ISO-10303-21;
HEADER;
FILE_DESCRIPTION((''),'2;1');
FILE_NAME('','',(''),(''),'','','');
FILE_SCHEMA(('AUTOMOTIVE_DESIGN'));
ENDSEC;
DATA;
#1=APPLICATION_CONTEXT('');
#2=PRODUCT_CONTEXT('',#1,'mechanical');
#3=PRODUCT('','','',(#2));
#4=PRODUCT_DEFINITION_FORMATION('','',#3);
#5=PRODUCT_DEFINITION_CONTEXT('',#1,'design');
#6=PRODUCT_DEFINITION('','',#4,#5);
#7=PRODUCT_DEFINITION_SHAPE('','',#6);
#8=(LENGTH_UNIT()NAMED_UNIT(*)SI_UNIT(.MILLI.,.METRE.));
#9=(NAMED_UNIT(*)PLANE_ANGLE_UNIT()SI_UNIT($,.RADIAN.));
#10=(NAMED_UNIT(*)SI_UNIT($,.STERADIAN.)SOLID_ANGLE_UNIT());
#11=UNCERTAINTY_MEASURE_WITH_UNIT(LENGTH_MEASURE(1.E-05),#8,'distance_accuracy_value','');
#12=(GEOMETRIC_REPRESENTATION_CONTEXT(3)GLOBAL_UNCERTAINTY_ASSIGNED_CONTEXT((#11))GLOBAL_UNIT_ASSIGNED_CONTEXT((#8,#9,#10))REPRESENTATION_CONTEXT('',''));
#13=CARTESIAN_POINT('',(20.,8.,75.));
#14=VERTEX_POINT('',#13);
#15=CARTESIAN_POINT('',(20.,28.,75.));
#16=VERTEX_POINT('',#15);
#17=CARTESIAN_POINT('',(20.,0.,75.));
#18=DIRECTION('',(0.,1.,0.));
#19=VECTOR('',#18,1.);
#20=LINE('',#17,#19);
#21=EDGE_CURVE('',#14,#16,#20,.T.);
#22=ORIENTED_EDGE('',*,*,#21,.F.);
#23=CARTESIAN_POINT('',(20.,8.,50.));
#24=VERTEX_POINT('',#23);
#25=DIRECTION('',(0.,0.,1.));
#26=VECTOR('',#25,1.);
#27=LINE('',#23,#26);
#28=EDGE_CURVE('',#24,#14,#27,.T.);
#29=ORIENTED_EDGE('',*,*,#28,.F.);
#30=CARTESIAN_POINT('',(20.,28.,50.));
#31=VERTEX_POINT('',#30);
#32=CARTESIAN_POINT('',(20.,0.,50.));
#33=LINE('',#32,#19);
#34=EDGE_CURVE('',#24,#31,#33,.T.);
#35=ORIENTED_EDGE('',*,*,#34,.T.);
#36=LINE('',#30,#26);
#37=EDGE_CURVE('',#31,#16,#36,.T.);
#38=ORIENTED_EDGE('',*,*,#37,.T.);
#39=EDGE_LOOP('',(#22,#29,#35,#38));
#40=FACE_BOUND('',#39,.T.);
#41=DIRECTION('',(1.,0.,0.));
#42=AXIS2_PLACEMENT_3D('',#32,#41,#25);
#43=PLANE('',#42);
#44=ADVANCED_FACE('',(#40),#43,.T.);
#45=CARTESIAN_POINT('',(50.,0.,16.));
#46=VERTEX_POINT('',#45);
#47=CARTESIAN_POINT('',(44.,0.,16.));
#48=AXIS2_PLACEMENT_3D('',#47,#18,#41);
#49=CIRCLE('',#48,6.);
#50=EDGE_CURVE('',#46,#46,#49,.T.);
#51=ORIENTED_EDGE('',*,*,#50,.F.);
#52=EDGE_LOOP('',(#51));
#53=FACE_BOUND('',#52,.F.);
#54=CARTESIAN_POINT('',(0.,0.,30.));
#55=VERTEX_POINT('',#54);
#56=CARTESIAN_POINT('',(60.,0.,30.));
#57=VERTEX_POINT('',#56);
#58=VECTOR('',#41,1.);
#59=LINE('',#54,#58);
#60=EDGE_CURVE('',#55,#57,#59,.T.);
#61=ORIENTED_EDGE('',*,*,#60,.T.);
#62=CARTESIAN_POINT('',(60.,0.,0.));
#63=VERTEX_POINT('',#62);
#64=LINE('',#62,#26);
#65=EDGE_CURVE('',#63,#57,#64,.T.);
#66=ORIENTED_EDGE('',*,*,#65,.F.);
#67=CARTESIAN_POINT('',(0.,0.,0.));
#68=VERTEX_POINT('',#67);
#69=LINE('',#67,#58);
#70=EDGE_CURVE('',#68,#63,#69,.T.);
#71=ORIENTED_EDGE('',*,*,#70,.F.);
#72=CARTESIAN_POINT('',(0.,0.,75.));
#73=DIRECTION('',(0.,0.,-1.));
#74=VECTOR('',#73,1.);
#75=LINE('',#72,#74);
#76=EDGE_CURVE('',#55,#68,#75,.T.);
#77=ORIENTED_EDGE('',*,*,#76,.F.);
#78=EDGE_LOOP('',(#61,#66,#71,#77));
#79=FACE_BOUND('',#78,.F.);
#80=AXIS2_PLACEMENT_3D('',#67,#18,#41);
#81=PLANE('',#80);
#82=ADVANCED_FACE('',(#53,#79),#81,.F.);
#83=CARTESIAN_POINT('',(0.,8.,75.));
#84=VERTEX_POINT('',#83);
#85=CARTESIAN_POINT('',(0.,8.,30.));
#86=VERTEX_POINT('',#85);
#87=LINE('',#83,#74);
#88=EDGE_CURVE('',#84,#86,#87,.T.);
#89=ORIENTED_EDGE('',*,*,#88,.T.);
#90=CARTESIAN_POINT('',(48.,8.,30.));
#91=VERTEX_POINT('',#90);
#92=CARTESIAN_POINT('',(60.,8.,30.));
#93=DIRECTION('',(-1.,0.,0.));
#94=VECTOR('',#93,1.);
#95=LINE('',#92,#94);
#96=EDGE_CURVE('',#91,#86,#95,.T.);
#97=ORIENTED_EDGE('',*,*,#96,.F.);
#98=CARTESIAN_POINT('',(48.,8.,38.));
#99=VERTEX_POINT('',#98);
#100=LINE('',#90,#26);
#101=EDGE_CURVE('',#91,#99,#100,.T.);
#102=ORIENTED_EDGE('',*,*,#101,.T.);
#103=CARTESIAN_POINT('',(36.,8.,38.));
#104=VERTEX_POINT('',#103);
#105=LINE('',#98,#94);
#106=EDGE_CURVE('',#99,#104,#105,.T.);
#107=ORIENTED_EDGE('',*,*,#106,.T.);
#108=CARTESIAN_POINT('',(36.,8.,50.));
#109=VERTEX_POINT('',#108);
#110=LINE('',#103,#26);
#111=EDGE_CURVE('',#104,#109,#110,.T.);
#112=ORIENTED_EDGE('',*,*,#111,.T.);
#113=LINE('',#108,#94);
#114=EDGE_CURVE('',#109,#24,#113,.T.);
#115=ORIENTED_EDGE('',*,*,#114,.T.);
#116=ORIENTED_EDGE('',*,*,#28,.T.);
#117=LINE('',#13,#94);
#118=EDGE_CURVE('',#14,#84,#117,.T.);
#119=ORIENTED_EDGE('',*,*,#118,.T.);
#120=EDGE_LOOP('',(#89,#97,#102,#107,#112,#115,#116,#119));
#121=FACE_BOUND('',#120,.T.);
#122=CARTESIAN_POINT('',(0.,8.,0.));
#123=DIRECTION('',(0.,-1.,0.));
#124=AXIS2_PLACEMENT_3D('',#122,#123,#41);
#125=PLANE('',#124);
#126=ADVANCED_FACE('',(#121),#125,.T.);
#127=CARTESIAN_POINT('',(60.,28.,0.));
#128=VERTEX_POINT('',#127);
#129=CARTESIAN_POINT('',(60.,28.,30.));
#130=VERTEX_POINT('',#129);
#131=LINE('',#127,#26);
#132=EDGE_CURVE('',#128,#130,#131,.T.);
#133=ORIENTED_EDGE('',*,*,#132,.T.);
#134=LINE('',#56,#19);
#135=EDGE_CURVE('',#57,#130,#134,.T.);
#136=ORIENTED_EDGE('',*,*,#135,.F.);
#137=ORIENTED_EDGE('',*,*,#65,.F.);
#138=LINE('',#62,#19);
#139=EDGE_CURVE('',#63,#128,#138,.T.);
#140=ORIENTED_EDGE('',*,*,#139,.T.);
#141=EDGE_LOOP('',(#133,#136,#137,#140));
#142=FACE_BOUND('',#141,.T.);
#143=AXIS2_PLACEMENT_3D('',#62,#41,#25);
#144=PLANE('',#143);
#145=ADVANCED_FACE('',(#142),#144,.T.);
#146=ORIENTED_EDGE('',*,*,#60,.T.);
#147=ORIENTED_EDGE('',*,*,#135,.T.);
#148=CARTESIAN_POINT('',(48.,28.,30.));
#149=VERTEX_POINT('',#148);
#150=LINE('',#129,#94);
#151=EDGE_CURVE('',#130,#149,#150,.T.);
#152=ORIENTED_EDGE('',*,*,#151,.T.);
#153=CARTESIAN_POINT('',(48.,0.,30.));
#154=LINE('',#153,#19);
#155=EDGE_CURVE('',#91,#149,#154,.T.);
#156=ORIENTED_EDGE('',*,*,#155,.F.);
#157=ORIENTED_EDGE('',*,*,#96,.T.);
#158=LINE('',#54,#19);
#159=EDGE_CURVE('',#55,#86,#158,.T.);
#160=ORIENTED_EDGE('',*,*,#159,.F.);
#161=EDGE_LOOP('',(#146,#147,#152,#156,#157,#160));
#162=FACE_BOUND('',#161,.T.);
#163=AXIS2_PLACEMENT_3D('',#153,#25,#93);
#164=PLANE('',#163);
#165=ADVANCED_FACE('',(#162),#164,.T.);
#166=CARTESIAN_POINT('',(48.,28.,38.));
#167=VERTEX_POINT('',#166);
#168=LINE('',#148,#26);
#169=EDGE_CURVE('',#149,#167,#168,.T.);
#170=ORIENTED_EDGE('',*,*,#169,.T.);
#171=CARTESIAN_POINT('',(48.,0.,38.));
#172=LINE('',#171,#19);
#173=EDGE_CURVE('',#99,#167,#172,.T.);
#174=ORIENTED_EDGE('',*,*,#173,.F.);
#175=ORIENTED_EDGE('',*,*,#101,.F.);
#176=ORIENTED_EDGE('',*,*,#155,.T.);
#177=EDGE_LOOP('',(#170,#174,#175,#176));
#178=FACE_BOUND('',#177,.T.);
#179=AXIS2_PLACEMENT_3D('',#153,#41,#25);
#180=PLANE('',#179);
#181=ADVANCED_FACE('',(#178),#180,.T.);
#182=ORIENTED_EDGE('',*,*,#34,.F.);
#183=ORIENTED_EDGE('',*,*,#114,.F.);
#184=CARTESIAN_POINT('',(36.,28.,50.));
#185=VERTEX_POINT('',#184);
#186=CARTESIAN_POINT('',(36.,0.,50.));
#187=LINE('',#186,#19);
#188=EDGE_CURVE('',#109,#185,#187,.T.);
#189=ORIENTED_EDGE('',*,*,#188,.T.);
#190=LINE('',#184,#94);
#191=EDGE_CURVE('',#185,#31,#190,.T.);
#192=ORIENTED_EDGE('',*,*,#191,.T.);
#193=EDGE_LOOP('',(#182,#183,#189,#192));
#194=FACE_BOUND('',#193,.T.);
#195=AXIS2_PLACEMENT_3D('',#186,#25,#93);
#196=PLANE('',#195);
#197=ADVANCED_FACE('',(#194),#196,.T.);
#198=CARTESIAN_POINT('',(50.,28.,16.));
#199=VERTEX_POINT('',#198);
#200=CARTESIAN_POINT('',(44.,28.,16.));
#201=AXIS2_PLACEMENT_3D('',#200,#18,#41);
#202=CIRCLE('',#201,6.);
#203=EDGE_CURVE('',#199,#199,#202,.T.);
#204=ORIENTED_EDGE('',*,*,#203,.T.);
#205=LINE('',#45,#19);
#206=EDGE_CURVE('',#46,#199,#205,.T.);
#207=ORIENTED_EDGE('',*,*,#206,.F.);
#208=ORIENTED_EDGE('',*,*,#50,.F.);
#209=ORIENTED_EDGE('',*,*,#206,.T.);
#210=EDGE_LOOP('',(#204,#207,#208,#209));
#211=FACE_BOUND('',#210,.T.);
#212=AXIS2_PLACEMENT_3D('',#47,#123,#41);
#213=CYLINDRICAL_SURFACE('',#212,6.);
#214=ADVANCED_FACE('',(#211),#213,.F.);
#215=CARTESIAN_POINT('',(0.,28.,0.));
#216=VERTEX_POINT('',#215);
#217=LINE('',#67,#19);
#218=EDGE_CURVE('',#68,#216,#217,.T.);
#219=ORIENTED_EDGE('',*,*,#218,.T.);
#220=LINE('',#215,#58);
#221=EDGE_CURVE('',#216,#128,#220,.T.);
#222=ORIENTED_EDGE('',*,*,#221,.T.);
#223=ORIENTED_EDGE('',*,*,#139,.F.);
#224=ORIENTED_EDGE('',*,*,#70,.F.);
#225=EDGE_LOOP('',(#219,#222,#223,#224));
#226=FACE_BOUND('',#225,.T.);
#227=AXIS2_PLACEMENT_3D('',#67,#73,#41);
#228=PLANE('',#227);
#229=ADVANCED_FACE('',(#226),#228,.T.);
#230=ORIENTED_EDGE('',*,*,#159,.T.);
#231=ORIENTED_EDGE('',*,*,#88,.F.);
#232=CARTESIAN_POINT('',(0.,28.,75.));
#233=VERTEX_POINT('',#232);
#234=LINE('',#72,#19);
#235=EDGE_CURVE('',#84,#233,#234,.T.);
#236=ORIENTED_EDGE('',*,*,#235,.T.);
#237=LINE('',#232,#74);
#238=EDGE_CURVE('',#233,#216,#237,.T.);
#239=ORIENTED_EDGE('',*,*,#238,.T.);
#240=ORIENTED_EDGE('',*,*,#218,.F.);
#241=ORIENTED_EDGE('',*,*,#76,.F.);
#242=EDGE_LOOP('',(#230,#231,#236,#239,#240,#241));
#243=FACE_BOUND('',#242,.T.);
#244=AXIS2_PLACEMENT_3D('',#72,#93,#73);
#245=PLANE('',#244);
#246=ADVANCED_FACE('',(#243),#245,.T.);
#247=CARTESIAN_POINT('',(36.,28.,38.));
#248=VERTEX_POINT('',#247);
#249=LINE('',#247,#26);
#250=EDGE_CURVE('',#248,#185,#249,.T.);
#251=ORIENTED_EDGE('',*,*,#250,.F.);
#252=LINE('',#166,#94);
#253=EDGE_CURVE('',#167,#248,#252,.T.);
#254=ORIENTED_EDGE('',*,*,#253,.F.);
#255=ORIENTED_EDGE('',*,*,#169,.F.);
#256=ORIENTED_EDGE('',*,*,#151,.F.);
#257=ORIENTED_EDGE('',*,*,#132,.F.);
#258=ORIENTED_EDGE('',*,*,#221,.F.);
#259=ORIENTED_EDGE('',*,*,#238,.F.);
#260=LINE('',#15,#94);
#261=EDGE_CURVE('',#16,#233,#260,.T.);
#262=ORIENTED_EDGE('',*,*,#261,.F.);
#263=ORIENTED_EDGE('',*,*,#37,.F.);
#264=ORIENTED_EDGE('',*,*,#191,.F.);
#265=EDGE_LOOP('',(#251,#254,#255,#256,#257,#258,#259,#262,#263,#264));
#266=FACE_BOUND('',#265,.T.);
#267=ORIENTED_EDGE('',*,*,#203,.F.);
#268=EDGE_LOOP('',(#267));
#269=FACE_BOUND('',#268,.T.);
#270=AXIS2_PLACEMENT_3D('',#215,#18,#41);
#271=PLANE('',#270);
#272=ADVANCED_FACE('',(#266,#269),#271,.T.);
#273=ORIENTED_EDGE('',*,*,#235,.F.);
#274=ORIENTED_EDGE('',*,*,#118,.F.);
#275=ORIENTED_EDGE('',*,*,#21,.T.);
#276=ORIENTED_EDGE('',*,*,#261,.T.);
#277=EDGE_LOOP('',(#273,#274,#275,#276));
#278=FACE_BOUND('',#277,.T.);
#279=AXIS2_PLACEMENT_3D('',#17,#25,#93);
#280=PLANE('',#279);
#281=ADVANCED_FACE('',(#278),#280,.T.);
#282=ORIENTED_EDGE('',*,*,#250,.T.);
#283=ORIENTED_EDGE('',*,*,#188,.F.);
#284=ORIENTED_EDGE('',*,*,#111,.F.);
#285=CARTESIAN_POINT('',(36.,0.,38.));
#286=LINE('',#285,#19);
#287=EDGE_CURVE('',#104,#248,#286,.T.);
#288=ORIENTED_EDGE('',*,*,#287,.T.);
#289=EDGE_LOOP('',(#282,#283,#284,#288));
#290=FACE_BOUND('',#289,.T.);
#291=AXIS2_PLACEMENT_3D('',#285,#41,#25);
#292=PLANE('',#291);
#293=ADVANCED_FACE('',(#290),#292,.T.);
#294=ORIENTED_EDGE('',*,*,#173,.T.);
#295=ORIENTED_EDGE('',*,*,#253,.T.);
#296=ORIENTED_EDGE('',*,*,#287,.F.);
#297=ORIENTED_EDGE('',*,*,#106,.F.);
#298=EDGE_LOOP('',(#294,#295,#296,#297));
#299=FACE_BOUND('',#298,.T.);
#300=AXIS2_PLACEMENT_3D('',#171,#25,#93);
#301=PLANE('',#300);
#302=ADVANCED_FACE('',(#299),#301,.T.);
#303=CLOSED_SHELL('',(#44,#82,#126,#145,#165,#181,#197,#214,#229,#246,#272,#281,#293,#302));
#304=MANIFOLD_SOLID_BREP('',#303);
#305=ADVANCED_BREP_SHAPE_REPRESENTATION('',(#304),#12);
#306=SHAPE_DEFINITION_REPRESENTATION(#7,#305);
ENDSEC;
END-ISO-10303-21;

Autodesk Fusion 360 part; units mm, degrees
sketch "Sketch1" plane through (0, 0, 0) normal (0, 1, 0) x (1, 0, 0)
  line L0 (0, 0) -> (60, 0) construction
  line L1 (60, 0) -> (60, -30) construction
  line L2 (60, -30) -> (0, -30) construction
  line L3 (0, -30) -> (0, 0) construction
  line L4 (0, 0) -> (20, 0) construction
  line L5 (20, 0) -> (20, -75) construction
  line L6 (20, -75) -> (0, -75) construction
  line L7 (0, -75) -> (0, 0) construction
  line L8 (20, 0) -> (36, 0) construction
  line L9 (36, 0) -> (36, -75) construction
  line L10 (36, -75) -> (20, -75) construction
  line L11 (20, -75) -> (20, 0) construction
  line L12 (36, 0) -> (48, 0) construction
  line L13 (48, 0) -> (48, -75) construction
  line L14 (48, -75) -> (36, -75) construction
  line L15 (36, -75) -> (36, 0) construction
  line L16 (48, 0) -> (60, 0) construction
  line L17 (60, 0) -> (60, -75) construction
  line L18 (60, -75) -> (48, -75) construction
  line L19 (48, -75) -> (48, 0) construction
  line L20 (0, -75) -> (0, 0)
  line L21 (0, 0) -> (60, 0)
  line L22 (60, 0) -> (60, -30)
  line L23 (60, -30) -> (48, -30)
  line L24 (48, -30) -> (48, -38)
  line L25 (48, -38) -> (36, -38)
  line L26 (36, -38) -> (36, -50)
  line L27 (36, -50) -> (20, -50)
  line L28 (20, -50) -> (20, -75)
  line L29 (20, -75) -> (0, -75)
  line L30 (60, 0) -> (44, 0) construction
  line L31 (44, 0) -> (44, -30) construction
  line L32 (44, -30) -> (60, -30) construction
  line L33 (60, -30) -> (60, 0) construction
  line L34 (60, 0) -> (44, 0) construction
  line L35 (44, 0) -> (44, -16) construction
  line L36 (44, -16) -> (60, -16) construction
  line L37 (60, -16) -> (60, 0) construction
  circle A0 centre (44, -16) radius 6
  dimension "d1" = 60
  dimension "d2" = 30
  dimension "d3" = 75
  dimension "d4" = 16
  dimension "d5" = 12
  dimension "d6" = 12
  dimension "d7" = 16
  dimension "d8" = 20
  dimension "d9" = 25
  dimension "d10" = 16
  dimension "d11" = 16
  dimension "d12" = 12
extrude "Extrude1" add sketch "Sketch1" along normal blind 28
sketch "Sketch2" plane through (0, 0, 0) normal (0, -1, 0) x (1, 0, 0)
  circle A0 centre (44, 16) radius 6
  line L0 (20, 50) -> (20, 75)
  line L1 (20, 75) -> (0, 75)
  line L2 (0, 75) -> (0, 0)
  line L3 (0, 0) -> (60, 0)
  line L4 (60, 0) -> (60, 30)
  line L5 (60, 30) -> (48, 30)
  line L6 (48, 30) -> (48, 38)
  line L7 (48, 38) -> (36, 38)
  line L8 (36, 38) -> (36, 50)
  line L9 (36, 50) -> (20, 50)
  line L10 (0, 0) -> (60, 0)
  line L11 (60, 0) -> (60, 30)
  line L12 (60, 30) -> (0, 30)
  line L13 (0, 30) -> (0, 0)
extrude "Extrude2" cut sketch "Sketch2" against normal blind 8 contours L0 L1 L2 L6 L7 L8 L9 L12
